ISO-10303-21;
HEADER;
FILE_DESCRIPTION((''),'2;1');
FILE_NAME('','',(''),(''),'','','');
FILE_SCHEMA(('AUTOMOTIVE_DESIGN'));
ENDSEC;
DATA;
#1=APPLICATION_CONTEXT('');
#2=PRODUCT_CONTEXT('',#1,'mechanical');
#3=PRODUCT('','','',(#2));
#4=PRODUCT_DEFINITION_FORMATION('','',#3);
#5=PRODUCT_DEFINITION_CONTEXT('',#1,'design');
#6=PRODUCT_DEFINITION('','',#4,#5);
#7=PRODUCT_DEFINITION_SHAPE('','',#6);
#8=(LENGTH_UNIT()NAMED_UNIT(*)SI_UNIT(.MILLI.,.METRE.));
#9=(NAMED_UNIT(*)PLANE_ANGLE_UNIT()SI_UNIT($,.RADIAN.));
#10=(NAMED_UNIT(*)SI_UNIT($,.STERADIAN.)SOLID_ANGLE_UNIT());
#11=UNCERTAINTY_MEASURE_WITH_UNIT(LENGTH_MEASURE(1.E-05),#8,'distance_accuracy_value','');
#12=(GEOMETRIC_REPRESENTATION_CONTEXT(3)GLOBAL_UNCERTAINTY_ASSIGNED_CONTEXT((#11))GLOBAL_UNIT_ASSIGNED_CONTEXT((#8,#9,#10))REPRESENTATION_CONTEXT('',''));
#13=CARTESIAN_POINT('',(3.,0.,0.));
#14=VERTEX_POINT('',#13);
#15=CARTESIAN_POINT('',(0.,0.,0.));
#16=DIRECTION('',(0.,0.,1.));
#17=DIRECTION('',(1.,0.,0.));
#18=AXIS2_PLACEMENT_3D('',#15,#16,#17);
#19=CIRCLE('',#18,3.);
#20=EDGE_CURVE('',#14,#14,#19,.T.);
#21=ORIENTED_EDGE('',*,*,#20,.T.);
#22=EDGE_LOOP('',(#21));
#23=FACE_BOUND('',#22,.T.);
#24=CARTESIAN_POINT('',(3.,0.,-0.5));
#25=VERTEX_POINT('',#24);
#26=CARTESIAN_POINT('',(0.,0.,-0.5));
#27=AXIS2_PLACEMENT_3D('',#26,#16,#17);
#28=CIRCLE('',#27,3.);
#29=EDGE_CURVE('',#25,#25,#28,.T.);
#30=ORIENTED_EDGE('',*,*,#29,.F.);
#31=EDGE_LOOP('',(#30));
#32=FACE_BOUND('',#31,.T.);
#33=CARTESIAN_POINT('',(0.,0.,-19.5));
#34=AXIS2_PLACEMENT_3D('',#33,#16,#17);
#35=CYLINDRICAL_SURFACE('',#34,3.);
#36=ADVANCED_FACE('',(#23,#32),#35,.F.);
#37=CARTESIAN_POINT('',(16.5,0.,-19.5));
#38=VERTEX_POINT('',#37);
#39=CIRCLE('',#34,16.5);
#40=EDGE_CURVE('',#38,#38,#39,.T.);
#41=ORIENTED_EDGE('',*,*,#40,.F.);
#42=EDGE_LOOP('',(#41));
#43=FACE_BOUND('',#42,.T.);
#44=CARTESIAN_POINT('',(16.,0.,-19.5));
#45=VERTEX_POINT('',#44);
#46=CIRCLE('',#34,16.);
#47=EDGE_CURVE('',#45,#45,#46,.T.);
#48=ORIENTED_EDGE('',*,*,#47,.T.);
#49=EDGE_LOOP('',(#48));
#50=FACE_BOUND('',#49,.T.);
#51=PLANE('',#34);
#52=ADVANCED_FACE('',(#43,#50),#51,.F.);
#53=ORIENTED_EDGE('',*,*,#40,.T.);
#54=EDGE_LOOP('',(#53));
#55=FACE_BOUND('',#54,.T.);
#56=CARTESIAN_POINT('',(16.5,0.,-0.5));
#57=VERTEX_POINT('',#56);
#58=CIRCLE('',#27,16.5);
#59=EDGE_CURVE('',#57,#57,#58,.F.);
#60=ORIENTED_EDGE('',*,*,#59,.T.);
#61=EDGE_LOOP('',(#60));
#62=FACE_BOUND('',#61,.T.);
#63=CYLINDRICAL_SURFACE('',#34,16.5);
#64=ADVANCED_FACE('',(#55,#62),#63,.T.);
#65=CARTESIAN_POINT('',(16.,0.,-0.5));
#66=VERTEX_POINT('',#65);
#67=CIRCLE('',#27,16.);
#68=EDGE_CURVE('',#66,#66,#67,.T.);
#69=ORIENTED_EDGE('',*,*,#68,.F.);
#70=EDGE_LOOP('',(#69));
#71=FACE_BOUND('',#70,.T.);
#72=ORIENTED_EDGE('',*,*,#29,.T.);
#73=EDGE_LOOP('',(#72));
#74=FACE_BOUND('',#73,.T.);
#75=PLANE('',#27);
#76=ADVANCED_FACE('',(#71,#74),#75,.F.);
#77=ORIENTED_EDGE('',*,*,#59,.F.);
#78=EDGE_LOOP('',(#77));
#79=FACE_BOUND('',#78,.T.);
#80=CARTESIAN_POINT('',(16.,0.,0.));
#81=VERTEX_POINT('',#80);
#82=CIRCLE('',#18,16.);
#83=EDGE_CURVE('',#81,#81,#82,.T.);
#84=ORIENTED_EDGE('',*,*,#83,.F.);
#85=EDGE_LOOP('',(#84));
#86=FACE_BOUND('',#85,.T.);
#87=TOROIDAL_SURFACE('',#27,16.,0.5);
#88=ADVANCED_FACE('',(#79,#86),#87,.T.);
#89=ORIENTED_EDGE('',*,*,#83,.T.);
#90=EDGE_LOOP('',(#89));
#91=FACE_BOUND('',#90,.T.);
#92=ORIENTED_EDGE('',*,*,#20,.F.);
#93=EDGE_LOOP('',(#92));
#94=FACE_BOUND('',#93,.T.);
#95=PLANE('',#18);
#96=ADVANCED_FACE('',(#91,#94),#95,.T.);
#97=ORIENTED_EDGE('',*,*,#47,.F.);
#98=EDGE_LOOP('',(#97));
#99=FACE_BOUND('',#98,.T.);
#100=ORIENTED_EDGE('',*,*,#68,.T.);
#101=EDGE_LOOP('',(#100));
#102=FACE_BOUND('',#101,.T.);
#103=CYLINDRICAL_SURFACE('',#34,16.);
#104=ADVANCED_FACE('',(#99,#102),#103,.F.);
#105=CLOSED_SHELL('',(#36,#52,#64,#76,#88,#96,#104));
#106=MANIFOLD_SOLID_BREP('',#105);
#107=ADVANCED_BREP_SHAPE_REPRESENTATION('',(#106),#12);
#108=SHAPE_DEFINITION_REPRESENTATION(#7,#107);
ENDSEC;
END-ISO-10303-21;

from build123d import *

# Parameters (mm, degrees)
SKETCH1_R           = 16.5
BOSS_EXTRUDE1_DEPTH = 19.5
SHELL1_T            = -0.5
SKETCH2_R           = 3
CUT_EXTRUDE1_DEPTH  = 31.409702399
FILLET1_R           = 0.5


with BuildPart() as part:
    # Sketch1 → Boss-Extrude1 (new body)
    with BuildSketch(Plane.XY):
        Circle(SKETCH1_R)
    extrude(amount=-BOSS_EXTRUDE1_DEPTH)

    # Shell1
    shell1_openings = [part.faces().sort_by_distance(p)[0] for p in [
        (0, 0, -19.5),
    ]]
    offset(amount=SHELL1_T, openings=shell1_openings, kind=Kind.INTERSECTION)

    # Sketch2 → Cut-Extrude1 (cut, through all)
    with BuildSketch(Plane.XY):
        Circle(SKETCH2_R)
    extrude(amount=-CUT_EXTRUDE1_DEPTH, mode=Mode.SUBTRACT)

    # Fillet1
    fillet1_edges = [part.edges().sort_by_distance(p)[0] for p in [
        (-16.5, 0, 0),
    ]]
    fillet(fillet1_edges, radius=FILLET1_R)


solid = part.part
